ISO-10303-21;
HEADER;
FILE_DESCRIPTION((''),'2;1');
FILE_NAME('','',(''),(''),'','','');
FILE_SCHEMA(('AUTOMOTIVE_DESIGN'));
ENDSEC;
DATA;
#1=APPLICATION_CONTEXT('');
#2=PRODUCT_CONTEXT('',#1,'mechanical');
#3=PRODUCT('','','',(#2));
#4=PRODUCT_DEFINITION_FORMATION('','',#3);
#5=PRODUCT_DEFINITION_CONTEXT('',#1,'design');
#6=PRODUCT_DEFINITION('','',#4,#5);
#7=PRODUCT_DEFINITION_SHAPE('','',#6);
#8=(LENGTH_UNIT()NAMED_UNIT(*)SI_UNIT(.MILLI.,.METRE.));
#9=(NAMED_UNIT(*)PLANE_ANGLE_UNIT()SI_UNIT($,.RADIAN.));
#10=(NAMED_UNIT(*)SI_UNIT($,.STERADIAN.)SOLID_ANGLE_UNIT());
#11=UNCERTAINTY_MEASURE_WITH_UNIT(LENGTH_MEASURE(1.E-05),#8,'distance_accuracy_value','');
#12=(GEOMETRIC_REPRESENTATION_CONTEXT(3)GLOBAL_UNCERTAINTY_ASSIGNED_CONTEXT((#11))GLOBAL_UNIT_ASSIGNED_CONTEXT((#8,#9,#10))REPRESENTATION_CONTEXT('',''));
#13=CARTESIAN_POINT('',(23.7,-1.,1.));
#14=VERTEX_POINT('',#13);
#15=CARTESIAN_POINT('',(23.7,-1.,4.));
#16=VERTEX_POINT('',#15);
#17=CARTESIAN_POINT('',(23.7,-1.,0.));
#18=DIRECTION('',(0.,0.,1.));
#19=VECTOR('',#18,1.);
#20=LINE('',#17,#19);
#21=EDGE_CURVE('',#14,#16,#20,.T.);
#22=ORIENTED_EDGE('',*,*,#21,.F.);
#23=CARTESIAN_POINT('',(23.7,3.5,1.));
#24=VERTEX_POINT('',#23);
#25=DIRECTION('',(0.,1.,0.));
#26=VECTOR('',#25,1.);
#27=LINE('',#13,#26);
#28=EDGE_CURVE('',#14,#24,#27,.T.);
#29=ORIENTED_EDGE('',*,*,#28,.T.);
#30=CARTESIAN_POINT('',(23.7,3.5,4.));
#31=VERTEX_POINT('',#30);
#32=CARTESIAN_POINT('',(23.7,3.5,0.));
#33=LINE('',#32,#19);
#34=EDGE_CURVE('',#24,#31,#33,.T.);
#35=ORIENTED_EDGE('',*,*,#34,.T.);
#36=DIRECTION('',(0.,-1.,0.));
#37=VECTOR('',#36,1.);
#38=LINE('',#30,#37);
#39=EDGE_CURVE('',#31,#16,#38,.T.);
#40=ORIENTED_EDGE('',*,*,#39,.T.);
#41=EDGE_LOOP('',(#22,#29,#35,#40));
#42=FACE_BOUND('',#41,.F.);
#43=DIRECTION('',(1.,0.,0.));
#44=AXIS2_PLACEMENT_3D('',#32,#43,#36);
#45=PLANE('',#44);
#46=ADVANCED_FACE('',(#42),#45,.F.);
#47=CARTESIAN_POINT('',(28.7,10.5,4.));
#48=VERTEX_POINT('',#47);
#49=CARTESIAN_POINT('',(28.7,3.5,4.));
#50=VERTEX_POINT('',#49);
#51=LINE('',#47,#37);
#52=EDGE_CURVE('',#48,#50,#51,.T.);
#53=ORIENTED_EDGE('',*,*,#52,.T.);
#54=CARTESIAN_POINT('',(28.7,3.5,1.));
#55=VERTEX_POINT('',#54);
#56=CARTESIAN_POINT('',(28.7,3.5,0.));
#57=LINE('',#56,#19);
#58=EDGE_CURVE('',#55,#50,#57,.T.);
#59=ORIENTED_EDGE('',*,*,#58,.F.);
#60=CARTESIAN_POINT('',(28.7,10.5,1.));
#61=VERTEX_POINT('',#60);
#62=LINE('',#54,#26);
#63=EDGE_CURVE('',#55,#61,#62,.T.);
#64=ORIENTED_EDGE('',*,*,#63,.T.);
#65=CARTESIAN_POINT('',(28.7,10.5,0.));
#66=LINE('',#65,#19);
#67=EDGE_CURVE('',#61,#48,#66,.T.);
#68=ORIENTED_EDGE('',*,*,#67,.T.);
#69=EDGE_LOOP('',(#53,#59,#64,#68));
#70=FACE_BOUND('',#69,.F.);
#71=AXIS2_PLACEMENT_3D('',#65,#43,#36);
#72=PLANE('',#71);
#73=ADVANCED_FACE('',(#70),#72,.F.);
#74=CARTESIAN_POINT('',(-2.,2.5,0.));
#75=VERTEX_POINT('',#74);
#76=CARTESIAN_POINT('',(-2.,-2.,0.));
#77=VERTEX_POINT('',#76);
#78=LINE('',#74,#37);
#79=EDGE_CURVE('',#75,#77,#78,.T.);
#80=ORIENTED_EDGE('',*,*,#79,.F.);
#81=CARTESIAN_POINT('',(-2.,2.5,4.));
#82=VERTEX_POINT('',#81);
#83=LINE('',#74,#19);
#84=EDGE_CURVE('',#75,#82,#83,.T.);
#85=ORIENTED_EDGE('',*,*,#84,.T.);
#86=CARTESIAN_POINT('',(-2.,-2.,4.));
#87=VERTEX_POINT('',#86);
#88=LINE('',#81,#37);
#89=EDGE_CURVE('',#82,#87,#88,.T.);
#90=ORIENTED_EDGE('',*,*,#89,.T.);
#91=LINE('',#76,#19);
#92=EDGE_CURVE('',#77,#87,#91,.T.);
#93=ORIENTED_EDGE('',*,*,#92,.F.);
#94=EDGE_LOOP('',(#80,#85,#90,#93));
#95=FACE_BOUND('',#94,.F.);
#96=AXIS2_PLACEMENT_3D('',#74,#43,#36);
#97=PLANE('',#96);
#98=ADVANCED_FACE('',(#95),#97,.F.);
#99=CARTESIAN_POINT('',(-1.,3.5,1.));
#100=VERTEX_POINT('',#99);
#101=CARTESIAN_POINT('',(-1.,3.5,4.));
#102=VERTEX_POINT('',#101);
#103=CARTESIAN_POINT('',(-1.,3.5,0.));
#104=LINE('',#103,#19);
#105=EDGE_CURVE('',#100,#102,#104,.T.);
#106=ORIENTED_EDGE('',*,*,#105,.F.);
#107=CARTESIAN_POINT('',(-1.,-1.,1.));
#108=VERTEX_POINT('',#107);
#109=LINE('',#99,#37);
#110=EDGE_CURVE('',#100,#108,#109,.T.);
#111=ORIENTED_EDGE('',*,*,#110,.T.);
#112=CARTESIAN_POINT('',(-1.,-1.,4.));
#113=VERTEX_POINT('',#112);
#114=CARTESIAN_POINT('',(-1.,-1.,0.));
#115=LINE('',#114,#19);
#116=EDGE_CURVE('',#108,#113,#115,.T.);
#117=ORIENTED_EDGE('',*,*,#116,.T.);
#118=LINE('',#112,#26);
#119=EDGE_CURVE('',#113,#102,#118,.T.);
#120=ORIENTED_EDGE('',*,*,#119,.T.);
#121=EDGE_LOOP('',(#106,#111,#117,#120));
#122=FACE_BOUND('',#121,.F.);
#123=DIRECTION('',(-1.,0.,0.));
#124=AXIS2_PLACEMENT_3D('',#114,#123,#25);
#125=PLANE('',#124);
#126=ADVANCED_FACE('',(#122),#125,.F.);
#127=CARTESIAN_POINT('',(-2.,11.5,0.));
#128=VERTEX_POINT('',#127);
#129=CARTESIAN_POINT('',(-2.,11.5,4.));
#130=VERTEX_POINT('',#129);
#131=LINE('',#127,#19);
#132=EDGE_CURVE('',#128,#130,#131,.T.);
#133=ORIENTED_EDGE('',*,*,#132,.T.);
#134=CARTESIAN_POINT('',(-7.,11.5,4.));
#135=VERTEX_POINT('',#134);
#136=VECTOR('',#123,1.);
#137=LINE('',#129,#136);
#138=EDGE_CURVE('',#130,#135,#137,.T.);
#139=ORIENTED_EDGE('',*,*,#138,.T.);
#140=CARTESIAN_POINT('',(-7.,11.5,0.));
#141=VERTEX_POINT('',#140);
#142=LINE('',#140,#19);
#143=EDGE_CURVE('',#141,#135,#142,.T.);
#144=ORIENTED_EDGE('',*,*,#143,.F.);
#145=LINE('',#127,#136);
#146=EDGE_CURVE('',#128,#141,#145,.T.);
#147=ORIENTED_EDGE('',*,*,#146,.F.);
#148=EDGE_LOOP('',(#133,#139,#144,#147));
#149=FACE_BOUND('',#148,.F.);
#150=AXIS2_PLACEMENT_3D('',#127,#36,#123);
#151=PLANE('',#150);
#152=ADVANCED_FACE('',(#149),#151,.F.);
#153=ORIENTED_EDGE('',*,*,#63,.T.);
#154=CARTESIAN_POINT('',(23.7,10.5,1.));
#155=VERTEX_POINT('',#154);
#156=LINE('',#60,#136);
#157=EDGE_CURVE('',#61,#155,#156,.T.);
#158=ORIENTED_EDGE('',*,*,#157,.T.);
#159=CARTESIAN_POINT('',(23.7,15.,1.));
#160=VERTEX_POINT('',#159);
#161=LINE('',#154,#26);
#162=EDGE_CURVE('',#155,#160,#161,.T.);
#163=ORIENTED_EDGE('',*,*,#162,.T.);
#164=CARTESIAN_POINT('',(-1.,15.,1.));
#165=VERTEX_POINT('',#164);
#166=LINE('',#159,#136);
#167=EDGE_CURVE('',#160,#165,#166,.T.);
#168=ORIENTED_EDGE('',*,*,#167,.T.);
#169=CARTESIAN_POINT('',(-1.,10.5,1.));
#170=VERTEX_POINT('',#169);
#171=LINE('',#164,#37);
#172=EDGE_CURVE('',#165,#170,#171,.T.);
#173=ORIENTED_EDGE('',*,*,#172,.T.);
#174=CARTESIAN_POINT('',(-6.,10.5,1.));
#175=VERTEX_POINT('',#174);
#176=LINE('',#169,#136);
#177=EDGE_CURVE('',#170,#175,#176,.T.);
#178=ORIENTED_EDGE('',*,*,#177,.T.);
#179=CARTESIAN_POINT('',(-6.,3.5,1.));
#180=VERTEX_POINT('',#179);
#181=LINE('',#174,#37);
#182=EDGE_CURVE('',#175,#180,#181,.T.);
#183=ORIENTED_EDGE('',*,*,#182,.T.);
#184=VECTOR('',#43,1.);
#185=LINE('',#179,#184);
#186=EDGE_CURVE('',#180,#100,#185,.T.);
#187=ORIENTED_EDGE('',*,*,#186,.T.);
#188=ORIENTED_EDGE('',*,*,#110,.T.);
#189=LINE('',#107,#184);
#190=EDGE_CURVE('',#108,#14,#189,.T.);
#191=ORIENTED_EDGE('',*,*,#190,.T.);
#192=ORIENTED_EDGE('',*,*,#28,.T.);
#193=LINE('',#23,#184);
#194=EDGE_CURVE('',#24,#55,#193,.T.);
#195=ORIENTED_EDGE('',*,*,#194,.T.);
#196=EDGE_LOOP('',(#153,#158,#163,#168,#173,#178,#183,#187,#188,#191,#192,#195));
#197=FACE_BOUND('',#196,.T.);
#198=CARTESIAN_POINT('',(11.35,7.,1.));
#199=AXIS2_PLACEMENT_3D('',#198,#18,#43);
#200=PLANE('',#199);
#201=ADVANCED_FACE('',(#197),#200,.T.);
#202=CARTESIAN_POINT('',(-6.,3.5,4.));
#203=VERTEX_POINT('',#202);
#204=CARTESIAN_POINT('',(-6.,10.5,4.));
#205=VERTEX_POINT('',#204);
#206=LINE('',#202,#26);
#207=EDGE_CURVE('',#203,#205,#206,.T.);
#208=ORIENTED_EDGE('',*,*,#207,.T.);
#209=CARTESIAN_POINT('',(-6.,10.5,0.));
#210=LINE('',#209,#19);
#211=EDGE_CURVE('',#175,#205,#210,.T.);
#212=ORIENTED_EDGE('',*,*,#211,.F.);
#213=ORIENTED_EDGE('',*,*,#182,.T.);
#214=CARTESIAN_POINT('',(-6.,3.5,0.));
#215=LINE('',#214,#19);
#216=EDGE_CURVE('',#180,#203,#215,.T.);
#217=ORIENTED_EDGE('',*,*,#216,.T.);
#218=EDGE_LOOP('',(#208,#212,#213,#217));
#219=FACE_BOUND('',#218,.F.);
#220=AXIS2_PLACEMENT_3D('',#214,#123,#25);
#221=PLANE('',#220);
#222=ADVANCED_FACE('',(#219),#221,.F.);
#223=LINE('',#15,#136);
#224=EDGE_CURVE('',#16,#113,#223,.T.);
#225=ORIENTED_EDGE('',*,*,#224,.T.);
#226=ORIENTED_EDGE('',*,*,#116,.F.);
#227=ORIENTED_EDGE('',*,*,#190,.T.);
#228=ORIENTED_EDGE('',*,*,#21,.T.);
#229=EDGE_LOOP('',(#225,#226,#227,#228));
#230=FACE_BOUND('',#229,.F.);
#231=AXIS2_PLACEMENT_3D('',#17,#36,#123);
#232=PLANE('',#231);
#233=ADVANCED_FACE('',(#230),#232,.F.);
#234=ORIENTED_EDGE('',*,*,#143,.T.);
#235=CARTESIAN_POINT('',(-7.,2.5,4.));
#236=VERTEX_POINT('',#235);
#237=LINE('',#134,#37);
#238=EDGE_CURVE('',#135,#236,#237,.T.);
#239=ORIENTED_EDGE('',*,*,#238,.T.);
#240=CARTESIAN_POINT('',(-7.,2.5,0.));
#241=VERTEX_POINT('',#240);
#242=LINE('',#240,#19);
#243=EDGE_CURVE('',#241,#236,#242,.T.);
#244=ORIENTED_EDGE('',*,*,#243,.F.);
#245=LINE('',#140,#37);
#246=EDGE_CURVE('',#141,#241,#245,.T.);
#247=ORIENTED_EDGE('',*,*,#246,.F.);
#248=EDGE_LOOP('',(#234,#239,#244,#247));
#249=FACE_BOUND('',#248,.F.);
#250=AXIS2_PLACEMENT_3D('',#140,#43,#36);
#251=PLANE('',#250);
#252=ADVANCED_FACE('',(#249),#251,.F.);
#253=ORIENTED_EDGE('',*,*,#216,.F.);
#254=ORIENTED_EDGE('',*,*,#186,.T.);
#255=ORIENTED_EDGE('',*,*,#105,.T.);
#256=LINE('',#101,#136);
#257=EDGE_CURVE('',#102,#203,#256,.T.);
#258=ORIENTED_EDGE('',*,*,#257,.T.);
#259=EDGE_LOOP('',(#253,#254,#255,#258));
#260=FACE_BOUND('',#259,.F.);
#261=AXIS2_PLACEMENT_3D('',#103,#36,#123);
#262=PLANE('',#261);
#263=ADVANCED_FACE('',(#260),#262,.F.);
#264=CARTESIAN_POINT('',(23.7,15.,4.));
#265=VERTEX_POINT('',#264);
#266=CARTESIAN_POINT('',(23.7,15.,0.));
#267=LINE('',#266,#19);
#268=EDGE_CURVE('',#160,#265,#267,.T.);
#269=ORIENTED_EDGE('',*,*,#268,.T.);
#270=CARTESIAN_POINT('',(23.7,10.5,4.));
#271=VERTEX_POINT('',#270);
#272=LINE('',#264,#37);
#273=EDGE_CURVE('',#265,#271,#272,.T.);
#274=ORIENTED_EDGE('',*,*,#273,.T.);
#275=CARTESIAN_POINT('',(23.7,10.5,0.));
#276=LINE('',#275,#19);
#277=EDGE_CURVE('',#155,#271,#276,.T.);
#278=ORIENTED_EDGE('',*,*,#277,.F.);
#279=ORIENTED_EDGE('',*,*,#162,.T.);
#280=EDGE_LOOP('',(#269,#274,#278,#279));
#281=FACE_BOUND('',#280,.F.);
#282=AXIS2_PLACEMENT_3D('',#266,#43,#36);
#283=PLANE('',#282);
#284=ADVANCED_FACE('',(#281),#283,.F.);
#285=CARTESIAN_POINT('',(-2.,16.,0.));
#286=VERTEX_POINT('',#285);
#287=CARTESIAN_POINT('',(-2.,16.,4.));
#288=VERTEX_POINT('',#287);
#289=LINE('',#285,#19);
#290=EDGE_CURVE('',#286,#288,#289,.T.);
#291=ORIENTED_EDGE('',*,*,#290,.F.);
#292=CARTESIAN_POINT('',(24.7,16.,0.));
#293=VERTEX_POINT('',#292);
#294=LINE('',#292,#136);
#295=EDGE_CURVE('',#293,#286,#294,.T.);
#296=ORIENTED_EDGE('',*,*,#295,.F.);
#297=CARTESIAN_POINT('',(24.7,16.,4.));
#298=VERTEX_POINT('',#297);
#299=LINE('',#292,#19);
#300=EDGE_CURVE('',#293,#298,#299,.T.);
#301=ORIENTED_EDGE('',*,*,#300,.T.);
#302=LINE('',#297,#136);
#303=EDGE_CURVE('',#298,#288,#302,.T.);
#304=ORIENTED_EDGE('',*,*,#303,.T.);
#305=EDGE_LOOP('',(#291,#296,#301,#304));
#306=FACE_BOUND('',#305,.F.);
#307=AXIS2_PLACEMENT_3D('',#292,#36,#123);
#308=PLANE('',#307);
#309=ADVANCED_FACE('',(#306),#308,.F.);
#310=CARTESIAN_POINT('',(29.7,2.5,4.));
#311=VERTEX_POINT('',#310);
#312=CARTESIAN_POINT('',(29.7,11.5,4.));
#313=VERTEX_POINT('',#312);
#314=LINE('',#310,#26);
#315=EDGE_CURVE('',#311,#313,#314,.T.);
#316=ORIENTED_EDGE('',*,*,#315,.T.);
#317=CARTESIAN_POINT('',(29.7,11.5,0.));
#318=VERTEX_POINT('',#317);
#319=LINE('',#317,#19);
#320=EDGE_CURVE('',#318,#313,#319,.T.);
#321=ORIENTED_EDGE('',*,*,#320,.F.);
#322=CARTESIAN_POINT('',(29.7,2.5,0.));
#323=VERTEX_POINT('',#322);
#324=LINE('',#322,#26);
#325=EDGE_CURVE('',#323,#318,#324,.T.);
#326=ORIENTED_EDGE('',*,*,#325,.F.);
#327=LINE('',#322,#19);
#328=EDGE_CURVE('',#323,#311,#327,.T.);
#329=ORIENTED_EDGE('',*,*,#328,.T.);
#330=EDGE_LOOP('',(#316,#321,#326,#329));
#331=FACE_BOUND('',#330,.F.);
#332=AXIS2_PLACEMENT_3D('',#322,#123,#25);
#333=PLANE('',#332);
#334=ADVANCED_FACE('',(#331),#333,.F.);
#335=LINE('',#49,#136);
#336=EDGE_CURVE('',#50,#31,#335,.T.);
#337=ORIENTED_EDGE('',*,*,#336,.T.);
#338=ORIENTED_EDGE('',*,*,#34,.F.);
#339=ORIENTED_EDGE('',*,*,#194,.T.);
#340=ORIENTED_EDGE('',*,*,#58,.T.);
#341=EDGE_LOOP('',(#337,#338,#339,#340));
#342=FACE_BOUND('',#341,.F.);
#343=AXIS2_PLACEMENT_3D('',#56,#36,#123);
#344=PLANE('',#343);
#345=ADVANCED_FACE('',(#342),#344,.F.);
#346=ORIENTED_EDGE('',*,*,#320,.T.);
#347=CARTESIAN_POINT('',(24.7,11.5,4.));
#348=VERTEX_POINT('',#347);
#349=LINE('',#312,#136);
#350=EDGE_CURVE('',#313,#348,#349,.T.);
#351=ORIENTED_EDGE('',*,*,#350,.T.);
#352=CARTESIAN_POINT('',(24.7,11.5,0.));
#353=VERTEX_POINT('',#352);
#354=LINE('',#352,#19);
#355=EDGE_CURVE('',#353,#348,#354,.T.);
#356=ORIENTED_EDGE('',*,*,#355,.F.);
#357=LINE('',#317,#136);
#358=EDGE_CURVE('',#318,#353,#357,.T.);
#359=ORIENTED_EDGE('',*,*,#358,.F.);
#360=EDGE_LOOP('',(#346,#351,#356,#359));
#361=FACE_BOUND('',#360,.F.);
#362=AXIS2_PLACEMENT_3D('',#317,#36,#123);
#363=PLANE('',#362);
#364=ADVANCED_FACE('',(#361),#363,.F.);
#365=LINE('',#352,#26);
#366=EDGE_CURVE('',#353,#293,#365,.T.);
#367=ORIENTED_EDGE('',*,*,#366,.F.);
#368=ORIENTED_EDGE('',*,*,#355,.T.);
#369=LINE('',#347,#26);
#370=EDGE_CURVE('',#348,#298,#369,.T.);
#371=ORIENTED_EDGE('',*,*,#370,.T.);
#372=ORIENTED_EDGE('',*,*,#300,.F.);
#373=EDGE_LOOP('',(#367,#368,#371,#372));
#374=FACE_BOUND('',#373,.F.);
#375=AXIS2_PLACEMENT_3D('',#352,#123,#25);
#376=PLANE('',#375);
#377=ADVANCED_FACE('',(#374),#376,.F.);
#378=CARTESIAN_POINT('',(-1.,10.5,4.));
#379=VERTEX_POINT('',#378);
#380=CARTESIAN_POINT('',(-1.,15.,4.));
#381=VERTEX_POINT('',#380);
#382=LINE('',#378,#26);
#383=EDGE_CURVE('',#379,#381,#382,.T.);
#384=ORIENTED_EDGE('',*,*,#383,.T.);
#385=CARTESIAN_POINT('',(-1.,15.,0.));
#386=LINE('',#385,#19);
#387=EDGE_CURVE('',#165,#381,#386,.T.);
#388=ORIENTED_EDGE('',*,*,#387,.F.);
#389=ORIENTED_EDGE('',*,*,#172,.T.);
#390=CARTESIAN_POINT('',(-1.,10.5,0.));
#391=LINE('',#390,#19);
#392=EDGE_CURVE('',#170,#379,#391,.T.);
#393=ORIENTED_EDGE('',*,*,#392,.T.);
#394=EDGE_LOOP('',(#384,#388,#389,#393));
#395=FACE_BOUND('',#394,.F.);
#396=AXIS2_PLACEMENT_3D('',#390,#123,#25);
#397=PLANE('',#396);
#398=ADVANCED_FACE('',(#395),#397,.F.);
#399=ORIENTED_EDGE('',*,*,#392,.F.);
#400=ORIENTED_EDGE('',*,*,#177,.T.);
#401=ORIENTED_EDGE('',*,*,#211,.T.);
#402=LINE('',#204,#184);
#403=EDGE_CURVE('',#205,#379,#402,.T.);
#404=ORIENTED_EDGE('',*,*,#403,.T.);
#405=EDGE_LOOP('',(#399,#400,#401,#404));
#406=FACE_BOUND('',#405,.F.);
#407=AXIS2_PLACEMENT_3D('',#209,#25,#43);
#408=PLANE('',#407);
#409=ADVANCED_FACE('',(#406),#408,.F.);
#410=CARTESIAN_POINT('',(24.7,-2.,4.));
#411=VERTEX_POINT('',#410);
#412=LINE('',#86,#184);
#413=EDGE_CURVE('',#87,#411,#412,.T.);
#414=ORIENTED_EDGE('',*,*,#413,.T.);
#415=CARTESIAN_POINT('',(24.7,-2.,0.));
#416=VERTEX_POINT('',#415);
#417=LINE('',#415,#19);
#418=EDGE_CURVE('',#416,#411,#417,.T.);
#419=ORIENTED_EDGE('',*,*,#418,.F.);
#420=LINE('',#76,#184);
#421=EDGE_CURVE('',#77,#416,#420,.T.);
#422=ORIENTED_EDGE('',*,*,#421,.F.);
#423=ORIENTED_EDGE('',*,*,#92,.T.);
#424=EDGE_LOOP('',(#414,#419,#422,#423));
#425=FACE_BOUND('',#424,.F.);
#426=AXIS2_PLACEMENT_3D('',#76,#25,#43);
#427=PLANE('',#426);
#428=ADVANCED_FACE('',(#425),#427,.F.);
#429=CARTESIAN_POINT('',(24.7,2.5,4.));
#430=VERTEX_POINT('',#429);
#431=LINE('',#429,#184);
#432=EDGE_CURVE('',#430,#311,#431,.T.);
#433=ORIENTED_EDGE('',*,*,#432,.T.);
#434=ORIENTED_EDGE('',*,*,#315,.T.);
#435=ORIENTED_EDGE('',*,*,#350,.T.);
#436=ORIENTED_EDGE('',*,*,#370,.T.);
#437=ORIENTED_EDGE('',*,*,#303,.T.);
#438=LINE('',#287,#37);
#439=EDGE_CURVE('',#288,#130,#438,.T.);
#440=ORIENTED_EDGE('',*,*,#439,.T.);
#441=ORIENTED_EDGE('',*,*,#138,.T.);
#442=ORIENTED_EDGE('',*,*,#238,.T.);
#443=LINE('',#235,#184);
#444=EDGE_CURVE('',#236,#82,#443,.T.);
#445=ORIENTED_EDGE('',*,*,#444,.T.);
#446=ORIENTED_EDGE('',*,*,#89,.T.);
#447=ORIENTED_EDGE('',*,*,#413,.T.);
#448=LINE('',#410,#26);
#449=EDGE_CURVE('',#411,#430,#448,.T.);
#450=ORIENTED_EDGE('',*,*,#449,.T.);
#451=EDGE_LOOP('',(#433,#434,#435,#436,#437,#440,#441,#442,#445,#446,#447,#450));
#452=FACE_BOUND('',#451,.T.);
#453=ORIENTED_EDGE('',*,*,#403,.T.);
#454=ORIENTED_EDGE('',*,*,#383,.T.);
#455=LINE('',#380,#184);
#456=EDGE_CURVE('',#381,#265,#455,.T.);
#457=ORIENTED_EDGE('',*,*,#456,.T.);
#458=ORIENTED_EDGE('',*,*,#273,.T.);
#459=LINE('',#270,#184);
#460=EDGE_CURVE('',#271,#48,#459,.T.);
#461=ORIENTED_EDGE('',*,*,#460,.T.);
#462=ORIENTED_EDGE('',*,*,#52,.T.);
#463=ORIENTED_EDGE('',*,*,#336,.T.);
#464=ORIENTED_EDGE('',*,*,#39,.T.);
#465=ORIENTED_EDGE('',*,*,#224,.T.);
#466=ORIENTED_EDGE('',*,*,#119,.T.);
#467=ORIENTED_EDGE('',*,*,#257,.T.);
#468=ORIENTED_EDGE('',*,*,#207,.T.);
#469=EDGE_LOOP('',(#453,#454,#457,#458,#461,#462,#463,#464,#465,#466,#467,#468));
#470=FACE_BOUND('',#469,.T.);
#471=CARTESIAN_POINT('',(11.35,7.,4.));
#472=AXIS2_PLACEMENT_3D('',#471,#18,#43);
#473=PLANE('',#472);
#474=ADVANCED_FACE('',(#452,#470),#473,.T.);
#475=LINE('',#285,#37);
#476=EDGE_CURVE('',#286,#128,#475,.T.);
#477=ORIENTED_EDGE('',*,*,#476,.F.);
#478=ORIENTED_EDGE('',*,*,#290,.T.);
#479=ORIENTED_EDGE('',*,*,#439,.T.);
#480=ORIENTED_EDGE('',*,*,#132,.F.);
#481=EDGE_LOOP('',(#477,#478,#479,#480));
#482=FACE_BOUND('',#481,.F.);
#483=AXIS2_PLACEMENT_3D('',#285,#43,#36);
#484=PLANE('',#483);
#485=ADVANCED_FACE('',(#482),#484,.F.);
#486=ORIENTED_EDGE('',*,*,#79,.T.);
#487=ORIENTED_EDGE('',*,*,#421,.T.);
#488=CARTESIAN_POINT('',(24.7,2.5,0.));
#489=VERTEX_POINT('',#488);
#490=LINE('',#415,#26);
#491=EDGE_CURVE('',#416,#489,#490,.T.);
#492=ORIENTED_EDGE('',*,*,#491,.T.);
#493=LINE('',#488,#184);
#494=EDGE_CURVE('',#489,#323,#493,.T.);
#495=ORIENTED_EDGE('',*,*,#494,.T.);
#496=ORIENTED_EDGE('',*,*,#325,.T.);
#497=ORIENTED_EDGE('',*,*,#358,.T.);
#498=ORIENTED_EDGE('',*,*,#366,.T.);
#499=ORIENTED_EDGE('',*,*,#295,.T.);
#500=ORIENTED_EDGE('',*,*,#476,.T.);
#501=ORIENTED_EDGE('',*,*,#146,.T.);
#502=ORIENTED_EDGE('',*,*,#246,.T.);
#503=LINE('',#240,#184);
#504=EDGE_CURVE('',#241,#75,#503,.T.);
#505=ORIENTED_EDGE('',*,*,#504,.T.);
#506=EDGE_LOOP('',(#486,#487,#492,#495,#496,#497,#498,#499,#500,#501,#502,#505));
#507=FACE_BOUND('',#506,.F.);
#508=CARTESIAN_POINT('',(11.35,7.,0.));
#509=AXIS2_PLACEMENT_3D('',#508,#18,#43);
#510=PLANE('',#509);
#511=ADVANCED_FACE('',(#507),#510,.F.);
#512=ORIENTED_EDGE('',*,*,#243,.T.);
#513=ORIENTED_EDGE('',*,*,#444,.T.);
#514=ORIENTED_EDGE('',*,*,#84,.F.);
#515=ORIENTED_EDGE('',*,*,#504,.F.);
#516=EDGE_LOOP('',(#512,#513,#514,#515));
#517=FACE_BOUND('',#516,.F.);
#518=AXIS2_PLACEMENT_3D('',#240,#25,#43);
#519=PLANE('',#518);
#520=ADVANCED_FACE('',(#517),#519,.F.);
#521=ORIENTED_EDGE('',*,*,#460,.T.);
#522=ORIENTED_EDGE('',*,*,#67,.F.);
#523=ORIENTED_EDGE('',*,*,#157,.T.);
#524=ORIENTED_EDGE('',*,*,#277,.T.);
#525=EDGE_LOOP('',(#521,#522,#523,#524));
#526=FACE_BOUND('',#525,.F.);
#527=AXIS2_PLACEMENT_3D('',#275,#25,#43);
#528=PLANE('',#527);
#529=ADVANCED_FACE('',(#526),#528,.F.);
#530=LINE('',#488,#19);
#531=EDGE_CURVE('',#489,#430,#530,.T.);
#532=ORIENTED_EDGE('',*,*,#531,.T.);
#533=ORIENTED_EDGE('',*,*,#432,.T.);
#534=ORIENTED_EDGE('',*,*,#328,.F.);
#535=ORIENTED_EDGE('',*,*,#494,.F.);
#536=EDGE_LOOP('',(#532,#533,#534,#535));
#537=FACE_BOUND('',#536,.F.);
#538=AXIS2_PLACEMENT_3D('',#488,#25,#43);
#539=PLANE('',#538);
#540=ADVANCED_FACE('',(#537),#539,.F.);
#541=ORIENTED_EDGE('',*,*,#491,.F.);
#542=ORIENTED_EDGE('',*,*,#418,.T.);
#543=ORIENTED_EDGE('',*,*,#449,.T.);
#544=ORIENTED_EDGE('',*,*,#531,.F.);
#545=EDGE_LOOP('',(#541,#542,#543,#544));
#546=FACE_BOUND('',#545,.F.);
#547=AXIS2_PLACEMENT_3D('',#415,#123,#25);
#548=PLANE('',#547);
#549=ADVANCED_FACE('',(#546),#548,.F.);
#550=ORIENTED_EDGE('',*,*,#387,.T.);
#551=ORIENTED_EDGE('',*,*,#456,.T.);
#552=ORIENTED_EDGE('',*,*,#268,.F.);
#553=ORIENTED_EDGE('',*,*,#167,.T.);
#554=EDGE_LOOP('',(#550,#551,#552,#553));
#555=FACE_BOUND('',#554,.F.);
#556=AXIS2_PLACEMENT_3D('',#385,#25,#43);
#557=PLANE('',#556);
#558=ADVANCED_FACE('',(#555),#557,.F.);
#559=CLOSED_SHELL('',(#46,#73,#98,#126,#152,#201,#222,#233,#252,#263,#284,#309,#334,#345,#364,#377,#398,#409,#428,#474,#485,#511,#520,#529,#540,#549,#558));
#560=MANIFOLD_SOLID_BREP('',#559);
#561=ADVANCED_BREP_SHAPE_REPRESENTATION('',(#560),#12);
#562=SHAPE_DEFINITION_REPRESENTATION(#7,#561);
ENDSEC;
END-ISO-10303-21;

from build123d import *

# Parameters (mm, degrees)
F1_DEPTH = 4
F0_W     = 5
F0_H     = 5
F2_DEPTH = 1


with BuildPart() as f1:
    # F0 (on Top) → F1 (new body)
    with BuildSketch(Plane.XY):
        Polygon((-2, 16), (-2, 11.5), (-7, 11.5), (-7, 2.5), (-2, 2.5), (-2, -2), (24.7, -2), (24.7, 2.5), (29.7, 2.5), (29.7, 11.5), (24.7, 11.5), (24.7, 16), align=None)
        Polygon((-6, 10.5), (-1, 10.5), (-1, 15), (23.7, 15), (23.7, 10.5), (28.7, 10.5), (28.7, 3.5), (23.7, 3.5), (23.7, -1), (-1, -1), (-1, 3.5), (-6, 3.5), align=None, mode=Mode.SUBTRACT)
    extrude(amount=F1_DEPTH)

    # F0 (on Top) → F2 (join)
    with BuildSketch(Plane.XY):
        Polygon((-1, 15), (-1, 10.5), (-6, 10.5), (-6, 3.5), (-1, 3.5), (-1, -1), (23.7, -1), (23.7, 3.5), (28.7, 3.5), (28.7, 10.5), (23.7, 10.5), (23.7, 15), align=None)
        Polygon((22.7, 0), (0, 0), (0, 4.5), (-5, 4.5), (-5, 9.5), (0, 9.5), (0, 14), (22.7, 14), (22.7, 9.5), (27.7, 9.5), (27.7, 4.5), (22.7, 4.5), align=None, mode=Mode.SUBTRACT)
        Polygon((0, 4.5), (0, 0), (22.7, 0), (22.7, 4.5), (22.7, 9.5), (22.7, 14), (0, 14), (0, 9.5), align=None)
        with Locations((-2.5, 7)):
            Rectangle(F0_W, F0_H)
        with Locations((25.2, 7)):
            Rectangle(F0_W, F0_H)
    extrude(amount=F2_DEPTH)


solid = f1.part
